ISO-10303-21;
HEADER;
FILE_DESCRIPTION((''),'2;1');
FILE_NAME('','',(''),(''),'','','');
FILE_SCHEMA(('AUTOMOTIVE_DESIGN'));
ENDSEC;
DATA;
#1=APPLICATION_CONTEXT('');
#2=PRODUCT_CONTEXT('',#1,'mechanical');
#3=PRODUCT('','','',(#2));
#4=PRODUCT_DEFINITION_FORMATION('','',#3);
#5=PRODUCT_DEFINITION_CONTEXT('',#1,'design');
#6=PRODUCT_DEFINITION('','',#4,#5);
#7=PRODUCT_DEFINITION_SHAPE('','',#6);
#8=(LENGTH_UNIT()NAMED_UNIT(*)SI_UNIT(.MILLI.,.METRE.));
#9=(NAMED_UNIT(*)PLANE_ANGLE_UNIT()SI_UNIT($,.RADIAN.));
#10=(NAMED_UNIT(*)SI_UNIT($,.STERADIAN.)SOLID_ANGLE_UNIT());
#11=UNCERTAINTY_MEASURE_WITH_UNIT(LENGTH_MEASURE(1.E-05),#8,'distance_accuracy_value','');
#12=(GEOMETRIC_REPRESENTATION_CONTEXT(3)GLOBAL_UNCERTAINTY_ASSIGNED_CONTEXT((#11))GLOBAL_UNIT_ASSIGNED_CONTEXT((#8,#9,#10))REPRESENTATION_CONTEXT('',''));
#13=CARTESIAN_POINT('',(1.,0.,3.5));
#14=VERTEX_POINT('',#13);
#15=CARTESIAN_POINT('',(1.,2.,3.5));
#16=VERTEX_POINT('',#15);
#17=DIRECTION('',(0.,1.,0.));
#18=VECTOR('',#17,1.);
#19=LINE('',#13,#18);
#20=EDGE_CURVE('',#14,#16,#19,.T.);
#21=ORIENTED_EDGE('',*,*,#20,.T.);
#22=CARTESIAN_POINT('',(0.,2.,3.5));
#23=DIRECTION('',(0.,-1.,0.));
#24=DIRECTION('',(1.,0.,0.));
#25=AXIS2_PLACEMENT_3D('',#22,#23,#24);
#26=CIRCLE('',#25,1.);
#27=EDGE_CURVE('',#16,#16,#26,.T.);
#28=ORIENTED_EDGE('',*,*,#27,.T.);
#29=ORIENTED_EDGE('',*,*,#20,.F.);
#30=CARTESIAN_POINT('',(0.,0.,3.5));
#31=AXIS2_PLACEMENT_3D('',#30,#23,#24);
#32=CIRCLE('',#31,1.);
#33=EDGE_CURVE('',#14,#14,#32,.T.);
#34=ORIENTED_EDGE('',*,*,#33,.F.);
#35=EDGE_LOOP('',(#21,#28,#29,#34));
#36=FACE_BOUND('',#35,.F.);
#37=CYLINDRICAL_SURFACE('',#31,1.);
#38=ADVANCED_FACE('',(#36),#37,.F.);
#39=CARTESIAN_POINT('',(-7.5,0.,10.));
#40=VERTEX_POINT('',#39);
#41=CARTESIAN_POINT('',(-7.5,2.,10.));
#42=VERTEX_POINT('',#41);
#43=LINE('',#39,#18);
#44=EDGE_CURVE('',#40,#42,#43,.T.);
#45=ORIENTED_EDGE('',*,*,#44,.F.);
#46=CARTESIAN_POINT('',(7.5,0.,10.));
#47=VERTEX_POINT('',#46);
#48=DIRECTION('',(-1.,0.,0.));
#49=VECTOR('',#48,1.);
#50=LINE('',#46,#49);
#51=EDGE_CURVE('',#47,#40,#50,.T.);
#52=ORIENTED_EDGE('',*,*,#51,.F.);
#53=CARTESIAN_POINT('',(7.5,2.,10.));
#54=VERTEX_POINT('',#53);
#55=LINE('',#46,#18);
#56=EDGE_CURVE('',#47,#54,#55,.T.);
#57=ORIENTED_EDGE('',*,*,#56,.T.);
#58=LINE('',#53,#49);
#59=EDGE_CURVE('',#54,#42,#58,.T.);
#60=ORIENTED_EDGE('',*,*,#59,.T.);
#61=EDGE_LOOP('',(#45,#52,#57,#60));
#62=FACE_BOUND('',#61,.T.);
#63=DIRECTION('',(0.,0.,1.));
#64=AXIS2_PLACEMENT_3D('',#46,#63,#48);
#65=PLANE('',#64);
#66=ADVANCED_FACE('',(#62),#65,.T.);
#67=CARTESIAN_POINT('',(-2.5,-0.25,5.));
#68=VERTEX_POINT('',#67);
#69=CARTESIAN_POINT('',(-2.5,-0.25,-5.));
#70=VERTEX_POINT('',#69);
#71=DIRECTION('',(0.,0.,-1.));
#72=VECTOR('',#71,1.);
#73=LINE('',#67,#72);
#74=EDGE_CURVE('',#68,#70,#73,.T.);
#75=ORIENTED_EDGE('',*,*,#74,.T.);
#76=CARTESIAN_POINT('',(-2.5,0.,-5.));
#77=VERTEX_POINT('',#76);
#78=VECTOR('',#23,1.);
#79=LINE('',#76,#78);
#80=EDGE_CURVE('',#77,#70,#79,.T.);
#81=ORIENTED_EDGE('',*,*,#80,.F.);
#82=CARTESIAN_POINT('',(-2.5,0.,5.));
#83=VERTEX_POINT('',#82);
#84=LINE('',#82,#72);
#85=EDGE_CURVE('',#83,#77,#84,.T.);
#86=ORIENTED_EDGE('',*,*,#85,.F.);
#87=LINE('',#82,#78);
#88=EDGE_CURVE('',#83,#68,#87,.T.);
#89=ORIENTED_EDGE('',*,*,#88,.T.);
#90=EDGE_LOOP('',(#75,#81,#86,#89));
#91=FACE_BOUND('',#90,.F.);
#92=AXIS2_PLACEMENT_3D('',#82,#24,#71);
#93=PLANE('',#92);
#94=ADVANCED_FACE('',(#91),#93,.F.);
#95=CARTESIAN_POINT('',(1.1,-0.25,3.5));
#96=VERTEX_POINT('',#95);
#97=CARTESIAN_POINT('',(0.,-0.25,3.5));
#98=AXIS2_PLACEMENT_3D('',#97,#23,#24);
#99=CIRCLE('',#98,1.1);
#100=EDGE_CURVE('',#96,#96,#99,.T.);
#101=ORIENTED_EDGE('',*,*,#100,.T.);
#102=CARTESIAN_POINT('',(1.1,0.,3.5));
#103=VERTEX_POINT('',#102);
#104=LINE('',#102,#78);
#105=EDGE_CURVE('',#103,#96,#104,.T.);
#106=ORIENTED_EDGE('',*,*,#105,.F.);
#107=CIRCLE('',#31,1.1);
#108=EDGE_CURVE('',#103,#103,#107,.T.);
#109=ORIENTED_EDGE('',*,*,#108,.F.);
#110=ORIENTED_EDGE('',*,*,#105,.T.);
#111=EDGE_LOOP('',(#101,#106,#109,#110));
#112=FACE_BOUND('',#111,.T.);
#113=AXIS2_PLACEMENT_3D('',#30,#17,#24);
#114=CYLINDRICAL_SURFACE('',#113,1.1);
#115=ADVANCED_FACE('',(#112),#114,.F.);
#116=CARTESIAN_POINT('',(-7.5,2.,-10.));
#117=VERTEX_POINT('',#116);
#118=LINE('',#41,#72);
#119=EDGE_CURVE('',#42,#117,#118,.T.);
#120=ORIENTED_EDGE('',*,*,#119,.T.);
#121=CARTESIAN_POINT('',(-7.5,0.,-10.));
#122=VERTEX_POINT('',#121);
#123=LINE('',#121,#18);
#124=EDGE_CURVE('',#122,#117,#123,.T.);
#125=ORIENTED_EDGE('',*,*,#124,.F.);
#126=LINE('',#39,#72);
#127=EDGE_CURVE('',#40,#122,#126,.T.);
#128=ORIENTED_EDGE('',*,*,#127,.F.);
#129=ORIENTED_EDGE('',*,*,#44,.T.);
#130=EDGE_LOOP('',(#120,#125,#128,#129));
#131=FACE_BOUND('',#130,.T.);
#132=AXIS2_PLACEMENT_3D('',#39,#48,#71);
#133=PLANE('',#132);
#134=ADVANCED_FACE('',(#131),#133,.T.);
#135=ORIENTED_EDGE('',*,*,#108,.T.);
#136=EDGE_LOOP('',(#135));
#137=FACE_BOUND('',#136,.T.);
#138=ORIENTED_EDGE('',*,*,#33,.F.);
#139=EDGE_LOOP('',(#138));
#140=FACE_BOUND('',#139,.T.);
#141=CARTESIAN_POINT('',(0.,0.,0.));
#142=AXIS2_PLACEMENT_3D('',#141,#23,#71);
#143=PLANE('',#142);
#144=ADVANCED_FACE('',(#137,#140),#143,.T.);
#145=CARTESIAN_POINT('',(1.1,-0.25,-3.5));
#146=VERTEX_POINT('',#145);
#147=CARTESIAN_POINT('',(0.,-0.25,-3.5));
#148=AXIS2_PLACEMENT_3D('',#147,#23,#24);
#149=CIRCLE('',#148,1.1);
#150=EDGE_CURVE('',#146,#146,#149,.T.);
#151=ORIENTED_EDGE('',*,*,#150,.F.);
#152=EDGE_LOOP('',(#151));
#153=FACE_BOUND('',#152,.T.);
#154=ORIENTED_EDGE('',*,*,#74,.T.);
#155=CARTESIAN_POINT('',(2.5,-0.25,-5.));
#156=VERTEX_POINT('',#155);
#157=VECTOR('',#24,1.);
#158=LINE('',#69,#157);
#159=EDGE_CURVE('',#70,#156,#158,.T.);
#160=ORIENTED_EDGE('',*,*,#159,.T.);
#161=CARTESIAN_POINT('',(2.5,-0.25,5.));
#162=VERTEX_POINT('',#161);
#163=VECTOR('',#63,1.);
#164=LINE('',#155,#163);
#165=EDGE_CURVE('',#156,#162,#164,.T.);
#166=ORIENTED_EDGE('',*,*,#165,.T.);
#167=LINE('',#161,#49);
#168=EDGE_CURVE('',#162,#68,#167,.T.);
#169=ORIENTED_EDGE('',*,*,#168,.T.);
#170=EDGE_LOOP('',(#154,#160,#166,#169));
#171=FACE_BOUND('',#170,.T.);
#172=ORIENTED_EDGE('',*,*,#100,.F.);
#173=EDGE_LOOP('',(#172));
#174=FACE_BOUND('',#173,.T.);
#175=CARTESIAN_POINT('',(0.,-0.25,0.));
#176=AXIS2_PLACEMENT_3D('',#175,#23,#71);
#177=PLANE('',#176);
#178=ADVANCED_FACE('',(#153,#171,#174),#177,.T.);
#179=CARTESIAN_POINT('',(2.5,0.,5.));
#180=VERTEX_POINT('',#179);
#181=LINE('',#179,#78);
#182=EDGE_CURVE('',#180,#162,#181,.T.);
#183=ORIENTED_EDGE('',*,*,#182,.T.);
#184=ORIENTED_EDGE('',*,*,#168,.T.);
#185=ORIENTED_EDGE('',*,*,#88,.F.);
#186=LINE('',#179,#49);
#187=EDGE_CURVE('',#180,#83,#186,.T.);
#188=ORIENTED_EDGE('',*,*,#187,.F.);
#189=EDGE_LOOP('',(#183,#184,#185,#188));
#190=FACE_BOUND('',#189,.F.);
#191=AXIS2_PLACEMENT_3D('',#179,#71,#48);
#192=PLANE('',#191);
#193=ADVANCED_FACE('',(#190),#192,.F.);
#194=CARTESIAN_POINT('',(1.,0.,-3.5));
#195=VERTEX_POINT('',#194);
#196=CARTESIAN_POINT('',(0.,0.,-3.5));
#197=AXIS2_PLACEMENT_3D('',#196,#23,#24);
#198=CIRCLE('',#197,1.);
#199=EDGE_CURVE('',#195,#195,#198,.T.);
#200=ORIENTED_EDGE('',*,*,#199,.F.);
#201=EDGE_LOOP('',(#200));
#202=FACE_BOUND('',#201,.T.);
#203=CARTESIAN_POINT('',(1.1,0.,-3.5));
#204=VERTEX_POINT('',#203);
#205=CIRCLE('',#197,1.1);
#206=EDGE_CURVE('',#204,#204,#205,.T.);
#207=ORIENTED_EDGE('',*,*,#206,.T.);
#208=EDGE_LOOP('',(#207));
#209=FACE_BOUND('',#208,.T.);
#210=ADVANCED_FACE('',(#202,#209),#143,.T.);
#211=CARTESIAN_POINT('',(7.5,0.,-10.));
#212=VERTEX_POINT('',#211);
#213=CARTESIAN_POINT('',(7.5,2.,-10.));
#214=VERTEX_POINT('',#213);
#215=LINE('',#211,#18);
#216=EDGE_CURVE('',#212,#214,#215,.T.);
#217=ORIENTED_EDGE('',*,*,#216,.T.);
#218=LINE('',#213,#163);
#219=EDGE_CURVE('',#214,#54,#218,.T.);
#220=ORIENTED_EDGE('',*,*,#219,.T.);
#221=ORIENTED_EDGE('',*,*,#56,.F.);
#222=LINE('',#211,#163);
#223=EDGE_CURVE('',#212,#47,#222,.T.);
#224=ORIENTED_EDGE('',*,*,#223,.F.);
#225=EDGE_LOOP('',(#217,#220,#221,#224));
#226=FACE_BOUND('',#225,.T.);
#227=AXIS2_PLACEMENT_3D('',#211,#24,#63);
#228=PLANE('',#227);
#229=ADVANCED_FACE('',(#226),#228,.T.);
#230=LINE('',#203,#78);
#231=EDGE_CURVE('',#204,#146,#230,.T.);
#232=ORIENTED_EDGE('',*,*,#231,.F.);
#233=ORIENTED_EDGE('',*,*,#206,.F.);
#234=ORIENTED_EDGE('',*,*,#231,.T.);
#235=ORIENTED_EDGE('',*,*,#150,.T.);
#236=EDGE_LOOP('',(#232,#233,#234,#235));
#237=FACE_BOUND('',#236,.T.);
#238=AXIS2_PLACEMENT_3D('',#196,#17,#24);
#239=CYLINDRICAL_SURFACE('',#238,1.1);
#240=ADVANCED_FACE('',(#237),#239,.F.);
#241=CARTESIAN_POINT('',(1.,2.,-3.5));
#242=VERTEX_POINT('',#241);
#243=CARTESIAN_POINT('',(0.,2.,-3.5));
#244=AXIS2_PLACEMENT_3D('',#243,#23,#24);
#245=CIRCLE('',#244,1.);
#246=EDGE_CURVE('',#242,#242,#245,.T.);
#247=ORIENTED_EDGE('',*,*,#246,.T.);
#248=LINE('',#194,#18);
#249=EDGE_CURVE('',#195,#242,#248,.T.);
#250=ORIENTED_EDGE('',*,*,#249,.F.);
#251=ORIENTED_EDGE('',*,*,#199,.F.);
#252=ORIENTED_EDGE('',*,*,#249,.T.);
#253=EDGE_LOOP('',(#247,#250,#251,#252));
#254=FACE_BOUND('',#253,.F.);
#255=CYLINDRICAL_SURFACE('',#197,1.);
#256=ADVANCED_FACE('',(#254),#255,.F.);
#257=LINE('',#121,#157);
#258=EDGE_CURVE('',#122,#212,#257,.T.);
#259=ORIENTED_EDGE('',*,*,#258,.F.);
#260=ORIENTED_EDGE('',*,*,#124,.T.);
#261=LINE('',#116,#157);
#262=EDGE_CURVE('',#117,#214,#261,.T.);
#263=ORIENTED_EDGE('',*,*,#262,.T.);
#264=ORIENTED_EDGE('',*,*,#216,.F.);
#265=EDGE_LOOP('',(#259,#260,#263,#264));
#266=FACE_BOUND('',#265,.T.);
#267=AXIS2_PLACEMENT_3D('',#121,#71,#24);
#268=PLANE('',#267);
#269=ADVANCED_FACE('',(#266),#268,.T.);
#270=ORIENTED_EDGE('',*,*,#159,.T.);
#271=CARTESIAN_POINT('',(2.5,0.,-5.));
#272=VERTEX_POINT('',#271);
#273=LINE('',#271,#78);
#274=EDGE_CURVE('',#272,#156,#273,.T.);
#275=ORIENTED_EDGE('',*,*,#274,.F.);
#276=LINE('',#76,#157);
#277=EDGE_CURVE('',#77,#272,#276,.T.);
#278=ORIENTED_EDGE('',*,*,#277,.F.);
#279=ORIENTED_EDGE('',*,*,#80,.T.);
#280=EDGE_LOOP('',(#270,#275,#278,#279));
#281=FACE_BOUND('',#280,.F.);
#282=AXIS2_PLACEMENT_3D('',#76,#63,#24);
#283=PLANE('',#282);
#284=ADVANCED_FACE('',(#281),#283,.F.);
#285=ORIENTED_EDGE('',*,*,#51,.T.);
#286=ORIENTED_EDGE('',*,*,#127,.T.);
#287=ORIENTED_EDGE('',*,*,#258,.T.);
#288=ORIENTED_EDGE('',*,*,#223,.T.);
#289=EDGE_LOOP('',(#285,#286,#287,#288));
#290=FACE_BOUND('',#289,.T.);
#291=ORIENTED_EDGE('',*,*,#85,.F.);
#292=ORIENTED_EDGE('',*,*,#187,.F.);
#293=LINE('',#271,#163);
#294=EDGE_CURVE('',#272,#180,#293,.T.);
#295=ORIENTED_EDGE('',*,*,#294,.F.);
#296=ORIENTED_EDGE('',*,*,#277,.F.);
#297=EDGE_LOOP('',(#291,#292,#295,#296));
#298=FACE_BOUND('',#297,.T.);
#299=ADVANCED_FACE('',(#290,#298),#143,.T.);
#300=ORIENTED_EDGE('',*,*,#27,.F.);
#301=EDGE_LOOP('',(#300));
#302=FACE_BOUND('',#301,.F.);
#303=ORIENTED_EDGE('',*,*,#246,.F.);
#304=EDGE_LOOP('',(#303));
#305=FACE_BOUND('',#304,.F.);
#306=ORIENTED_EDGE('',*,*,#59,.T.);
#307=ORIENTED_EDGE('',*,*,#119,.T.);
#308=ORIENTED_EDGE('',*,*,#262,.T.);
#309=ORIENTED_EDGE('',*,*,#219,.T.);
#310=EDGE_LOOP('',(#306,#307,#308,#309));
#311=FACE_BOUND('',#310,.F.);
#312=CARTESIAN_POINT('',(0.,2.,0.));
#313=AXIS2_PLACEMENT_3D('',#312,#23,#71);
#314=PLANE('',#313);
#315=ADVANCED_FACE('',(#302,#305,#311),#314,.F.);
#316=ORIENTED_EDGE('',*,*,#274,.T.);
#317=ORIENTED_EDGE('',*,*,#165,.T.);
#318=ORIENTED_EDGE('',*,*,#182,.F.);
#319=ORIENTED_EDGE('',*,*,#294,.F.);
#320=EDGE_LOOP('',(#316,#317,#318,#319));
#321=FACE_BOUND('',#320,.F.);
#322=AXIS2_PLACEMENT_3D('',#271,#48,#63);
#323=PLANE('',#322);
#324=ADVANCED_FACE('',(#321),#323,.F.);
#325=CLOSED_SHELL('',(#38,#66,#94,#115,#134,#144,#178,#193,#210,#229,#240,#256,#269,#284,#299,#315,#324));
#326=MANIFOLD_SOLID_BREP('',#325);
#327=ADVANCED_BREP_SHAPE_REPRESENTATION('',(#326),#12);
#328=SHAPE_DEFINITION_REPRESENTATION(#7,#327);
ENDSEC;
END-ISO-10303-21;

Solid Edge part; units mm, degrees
sketch "Sketch1" plane through (0, 0, 0) normal (0, -1, 0) x (1, 0, 0)
  line L0 (7.5, 10) -> (-7.5, 10)
  line L1 (-7.5, 10) -> (-7.5, -10)
  line L2 (-7.5, -10) -> (7.5, -10)
  line L3 (7.5, -10) -> (7.5, 10)
  circle A0 centre (0, 3.5) radius 1
  circle A1 centre (0, -3.5) radius 1
  dimension "D1" = 20
  dimension "D2" = 15
extrude "Protrusion1" add sketch "Sketch1" against normal blind 2
sketch "Sketch2" plane through (0, 0, 0) normal (0, -1, 0) x (1, 0, 0)
  line L0 (2.5, -5) -> (2.5, 5)
  line L1 (2.5, 5) -> (-2.5, 5)
  line L2 (-2.5, 5) -> (-2.5, -5)
  line L3 (-2.5, -5) -> (2.5, -5)
  circle A0 centre (0, 3.5) radius 1.1
  circle A1 centre (0, -3.5) radius 1.1
extrude "ExtrudedProtrusion_2" add sketch "Sketch2" along normal blind 0.25
